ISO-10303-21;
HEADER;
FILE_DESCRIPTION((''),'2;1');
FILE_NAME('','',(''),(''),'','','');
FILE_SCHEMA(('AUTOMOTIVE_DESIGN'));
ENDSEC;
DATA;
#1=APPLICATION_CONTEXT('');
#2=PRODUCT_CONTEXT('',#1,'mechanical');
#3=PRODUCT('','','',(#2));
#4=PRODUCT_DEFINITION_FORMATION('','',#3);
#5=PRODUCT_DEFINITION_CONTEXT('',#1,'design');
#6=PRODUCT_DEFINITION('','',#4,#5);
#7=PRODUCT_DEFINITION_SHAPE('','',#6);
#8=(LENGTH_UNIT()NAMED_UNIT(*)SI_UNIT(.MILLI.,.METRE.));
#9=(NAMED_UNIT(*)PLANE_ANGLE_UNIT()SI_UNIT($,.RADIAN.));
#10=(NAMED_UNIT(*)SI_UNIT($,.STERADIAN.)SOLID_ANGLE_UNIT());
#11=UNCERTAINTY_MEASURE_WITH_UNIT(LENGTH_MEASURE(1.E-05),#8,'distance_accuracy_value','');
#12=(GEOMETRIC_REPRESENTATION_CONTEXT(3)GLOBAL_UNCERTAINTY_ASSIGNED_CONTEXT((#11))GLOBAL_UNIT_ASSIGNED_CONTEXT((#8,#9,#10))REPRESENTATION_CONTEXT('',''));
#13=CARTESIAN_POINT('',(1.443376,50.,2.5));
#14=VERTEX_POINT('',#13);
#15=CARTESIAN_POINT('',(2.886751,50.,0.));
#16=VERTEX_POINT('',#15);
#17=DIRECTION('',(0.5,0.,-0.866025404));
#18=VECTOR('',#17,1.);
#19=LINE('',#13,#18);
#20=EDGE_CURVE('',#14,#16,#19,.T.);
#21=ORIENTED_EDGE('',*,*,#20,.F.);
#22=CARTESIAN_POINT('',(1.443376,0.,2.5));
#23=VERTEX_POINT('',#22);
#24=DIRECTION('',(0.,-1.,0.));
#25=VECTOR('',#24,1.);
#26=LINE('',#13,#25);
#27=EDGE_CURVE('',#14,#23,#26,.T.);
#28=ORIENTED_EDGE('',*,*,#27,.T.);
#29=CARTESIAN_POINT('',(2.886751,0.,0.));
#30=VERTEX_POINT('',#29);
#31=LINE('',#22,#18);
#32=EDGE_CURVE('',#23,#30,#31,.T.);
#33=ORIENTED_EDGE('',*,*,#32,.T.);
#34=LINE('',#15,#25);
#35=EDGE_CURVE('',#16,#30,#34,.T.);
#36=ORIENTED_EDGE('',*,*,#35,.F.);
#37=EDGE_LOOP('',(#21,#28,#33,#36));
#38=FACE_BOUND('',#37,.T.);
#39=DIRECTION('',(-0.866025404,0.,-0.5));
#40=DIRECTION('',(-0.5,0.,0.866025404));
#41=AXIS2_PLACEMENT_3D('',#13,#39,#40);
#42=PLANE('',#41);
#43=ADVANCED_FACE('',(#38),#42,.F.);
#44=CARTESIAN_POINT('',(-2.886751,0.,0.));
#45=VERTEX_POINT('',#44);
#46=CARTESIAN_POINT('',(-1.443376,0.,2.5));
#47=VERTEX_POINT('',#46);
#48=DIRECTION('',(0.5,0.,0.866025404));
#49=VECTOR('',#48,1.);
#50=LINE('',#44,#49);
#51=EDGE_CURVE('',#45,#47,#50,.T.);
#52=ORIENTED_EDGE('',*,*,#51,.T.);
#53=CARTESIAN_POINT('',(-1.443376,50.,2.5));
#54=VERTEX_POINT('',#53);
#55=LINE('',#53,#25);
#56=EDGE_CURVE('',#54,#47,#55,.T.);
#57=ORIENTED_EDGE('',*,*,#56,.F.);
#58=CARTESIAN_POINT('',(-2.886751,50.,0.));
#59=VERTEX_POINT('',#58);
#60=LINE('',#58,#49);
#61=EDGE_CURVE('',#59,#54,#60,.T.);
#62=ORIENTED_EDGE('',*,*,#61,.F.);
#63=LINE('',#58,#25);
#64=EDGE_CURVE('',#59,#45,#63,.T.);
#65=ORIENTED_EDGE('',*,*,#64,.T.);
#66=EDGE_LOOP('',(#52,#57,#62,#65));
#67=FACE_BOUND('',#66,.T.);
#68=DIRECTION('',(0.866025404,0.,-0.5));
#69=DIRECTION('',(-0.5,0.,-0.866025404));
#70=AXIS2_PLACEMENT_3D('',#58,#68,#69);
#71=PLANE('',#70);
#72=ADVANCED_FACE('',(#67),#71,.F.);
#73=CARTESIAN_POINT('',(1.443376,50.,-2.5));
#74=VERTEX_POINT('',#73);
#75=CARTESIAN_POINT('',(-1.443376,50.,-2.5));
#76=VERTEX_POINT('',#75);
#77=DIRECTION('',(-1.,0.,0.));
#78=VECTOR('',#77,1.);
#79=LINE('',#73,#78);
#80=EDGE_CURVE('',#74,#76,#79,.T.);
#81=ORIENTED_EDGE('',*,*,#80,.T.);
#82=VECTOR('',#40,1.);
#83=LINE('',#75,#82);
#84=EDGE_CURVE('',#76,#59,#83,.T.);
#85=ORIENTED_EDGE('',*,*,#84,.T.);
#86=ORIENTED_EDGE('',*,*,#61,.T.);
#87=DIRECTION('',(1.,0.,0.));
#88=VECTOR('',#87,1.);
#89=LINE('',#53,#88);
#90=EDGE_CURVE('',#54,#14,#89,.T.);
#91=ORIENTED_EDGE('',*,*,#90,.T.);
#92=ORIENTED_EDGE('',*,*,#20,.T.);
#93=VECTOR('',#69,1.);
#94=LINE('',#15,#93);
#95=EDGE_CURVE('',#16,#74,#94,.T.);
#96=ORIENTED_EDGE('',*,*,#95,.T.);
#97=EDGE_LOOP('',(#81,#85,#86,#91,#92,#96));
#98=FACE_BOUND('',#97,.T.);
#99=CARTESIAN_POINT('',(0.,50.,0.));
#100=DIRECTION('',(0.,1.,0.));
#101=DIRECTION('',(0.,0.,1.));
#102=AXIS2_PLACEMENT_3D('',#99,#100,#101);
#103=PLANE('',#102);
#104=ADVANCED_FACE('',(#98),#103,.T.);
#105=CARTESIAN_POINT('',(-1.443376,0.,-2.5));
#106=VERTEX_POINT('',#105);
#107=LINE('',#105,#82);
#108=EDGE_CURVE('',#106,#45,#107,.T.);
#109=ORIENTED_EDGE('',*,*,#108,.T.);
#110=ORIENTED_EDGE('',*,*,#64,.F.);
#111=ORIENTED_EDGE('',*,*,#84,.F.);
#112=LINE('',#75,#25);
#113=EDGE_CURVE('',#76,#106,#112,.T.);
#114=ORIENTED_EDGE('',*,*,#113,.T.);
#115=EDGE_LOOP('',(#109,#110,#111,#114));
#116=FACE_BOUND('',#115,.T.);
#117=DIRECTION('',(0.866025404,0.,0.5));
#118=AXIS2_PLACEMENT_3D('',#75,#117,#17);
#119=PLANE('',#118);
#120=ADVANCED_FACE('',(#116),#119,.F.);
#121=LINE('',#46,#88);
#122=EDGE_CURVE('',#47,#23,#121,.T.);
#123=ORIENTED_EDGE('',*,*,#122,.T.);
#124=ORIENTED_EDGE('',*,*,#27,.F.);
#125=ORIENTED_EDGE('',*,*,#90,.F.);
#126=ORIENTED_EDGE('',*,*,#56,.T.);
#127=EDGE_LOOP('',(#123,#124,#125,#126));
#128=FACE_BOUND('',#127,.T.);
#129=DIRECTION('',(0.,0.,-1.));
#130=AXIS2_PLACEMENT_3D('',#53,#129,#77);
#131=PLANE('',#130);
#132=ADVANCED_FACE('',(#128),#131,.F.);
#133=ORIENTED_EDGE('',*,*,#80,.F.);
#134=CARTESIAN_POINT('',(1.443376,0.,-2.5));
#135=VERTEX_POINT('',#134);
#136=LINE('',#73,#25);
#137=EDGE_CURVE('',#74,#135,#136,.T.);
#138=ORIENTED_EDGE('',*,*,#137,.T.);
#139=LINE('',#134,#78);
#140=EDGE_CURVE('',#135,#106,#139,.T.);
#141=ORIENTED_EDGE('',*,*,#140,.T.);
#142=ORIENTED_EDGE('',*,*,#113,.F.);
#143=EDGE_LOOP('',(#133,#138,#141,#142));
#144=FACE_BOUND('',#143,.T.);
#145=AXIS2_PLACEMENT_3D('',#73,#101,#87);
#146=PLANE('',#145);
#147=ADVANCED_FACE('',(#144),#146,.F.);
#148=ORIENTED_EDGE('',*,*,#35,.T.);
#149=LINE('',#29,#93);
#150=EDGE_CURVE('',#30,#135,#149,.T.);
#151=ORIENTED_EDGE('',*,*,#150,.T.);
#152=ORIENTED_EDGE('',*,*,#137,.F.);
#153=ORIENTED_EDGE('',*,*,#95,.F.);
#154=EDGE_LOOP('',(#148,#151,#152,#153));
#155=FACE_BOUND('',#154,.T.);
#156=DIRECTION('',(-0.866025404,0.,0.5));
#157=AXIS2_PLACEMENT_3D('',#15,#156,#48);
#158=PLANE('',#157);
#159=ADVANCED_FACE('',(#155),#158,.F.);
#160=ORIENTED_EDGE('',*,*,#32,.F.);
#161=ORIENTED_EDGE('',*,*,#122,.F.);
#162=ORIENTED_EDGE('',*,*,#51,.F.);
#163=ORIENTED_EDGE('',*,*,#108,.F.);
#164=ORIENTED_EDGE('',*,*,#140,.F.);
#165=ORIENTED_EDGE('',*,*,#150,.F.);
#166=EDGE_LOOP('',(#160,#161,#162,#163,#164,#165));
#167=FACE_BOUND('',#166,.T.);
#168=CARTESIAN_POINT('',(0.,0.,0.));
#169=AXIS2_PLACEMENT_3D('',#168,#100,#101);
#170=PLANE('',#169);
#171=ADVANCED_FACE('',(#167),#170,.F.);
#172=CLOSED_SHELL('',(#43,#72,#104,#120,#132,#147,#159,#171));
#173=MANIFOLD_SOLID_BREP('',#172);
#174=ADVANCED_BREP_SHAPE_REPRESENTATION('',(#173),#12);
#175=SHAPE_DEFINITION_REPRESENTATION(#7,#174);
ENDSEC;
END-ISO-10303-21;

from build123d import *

# Parameters (mm, degrees)
BOSS_EXTRUDE1_DEPTH = 50


with BuildPart() as part:
    # Sketch1 → Boss-Extrude1 (new body)
    with BuildSketch(Plane(origin=(0, 0, 0), x_dir=(1, 0, 0), z_dir=(0, 1, 0))):
        Polygon((2.886751346, 0), (1.443375673, 2.5), (-1.443375673, 2.5), (-2.886751346, 0), (-1.443375673, -2.5), (1.443375673, -2.5), align=None)
    extrude(amount=BOSS_EXTRUDE1_DEPTH)


solid = part.part
